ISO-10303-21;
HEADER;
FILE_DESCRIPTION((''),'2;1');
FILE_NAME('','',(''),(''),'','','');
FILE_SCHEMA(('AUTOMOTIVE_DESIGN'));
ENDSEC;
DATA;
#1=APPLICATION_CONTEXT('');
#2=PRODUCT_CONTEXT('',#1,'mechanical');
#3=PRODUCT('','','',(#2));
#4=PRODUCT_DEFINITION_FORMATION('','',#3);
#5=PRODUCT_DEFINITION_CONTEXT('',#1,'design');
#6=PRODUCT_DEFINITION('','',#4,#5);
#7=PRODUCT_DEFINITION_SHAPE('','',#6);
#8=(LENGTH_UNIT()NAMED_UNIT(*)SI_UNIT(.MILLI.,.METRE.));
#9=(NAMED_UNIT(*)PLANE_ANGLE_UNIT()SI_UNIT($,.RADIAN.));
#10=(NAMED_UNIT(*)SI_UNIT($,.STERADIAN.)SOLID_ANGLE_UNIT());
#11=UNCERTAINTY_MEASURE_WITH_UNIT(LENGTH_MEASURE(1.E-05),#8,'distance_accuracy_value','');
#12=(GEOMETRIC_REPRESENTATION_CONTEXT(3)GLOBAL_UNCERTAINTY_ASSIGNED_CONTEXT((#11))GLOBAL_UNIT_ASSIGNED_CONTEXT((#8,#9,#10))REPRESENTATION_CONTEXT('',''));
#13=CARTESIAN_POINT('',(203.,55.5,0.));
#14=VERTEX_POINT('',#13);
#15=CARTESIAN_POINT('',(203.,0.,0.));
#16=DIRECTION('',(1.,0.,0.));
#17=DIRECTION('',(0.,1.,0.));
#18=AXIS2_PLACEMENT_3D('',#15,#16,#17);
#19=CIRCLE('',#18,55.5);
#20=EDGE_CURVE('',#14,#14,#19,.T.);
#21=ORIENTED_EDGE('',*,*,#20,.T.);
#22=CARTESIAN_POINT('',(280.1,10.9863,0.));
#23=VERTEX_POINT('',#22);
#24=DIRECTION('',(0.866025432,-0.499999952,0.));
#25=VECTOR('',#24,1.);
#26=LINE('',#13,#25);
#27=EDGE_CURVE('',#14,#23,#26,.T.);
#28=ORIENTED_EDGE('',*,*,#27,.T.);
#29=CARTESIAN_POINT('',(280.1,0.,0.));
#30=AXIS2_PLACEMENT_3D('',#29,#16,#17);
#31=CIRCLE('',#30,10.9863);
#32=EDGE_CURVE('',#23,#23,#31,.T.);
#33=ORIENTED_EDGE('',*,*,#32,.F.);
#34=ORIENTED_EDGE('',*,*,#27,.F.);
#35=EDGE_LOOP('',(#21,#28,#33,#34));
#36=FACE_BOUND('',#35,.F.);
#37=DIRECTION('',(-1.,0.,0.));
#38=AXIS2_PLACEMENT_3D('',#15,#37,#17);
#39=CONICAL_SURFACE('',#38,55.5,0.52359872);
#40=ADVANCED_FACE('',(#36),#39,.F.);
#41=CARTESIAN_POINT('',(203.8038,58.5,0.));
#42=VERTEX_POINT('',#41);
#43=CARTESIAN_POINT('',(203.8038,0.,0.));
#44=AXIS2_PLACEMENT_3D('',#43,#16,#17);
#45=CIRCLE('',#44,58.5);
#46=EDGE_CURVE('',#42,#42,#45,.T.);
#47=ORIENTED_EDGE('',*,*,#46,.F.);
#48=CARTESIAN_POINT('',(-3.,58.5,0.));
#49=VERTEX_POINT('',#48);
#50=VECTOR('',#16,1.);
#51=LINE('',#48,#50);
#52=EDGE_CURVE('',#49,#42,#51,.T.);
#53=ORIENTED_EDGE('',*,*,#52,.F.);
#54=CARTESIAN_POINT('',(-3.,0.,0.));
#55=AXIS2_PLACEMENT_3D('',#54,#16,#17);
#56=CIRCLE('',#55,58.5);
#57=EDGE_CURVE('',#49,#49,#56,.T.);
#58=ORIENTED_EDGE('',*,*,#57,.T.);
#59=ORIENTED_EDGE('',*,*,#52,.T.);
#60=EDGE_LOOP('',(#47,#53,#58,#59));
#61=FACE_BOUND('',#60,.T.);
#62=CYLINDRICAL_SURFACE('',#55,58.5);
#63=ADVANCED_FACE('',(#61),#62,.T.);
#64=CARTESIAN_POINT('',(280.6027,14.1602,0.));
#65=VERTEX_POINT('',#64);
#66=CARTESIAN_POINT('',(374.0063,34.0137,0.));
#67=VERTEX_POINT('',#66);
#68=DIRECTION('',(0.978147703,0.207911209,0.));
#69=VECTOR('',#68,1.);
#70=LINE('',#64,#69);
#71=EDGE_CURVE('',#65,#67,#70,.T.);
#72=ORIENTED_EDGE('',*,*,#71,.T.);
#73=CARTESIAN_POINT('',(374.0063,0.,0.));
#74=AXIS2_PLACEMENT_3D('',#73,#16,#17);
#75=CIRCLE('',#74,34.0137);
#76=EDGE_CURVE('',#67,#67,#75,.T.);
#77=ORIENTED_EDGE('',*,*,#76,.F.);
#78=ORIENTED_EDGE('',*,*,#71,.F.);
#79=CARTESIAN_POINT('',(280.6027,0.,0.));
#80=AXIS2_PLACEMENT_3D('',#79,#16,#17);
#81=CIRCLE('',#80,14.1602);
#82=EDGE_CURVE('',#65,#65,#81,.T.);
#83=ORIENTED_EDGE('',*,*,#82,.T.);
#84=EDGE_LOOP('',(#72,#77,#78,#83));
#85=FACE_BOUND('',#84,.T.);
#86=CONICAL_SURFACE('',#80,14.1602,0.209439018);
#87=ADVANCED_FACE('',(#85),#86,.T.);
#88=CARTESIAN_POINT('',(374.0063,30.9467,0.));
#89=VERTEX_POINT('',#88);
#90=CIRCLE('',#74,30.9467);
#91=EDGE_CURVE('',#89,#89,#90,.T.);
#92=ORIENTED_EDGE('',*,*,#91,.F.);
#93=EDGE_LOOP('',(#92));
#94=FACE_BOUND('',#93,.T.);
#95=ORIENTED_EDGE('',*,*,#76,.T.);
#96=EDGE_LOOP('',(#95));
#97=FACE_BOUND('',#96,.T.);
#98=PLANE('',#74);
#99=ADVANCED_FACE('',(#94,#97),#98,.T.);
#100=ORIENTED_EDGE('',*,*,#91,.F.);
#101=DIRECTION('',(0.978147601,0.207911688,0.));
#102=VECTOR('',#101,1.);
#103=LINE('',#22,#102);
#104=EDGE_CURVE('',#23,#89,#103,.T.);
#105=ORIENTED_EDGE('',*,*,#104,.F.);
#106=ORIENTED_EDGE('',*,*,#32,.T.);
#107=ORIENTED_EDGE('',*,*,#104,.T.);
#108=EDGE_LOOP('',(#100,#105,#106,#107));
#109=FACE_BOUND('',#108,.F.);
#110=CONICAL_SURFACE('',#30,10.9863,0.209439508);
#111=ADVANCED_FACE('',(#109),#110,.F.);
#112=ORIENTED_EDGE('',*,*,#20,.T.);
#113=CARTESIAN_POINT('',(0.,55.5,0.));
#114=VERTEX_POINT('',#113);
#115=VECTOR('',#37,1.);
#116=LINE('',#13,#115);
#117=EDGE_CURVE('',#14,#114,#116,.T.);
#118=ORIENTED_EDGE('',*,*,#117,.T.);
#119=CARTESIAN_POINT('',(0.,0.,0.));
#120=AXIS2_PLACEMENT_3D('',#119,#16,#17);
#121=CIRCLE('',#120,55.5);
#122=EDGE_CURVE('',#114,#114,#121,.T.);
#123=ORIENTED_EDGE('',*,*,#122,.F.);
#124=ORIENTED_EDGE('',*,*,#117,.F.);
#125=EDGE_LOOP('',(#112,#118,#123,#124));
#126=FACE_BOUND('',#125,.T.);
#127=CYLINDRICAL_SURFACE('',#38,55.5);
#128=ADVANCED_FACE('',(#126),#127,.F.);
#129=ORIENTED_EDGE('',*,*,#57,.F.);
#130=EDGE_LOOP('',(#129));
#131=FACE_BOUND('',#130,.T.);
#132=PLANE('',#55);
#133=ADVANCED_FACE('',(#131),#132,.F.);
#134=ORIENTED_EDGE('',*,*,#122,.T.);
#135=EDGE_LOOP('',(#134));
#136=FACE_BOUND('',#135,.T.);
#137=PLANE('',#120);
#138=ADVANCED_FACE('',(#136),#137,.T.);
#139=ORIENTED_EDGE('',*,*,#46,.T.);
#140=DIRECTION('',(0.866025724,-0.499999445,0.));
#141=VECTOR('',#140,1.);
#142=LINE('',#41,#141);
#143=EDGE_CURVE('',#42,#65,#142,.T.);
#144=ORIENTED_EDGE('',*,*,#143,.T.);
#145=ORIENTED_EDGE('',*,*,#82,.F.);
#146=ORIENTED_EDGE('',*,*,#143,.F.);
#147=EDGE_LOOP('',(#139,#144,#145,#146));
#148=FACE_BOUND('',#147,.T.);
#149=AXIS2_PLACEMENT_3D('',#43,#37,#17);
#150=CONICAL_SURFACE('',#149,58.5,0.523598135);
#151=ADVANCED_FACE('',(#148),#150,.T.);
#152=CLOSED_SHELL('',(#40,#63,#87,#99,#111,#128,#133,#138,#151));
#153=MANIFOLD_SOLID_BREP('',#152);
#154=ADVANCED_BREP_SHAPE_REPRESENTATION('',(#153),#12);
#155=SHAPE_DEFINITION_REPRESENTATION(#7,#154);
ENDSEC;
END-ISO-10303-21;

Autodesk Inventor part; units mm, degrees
ref_plane "YZ Plane" through (0, 0, 0) normal (1, 0, 0) x (0, 1, 0)
ref_plane "XZ Plane" through (0, 0, 0) normal (0, 1, 0) x (-1, 0, 0)
ref_plane "XY Plane" through (0, 0, 0) normal (0, 0, 1) x (1, 0, 0)
sketch "Sketch1" plane through (0, 0, 0) normal (0, 0, 1) x (1, 0, 0)
  line L0 (203, 55.5) -> (0, 55.5)
  line L1 (0, 55.5) -> (0, 0)
  line L2 (203, 55.5) -> (280.1, 10.9863)
  line L3 (280.1, 10.9863) -> (374.0063, 30.9467)
  line L4 (-3, 0) -> (-3, 58.5)
  line L5 (-3, 58.5) -> (203.8038, 58.5)
  line L6 (203.8038, 58.5) -> (280.6027, 14.1602)
  line L7 (280.6027, 14.1602) -> (374.0063, 34.0137)
  line L8 (-3, 0) -> (0, 0)
  line L9 (374.0063, 34.0137) -> (374.0063, 30.9467)
  line L10 (-78.4013, 0) -> (449.4075, 0) projected
  dimension "d11" = 3
revolve "Revolution1" add sketch "Sketch1" angle 360 about axis through (-10, 0, 0) along (1, 0, 0)
properties part number "ESBOÇO 0.1 DO CAD DO MOTOR" material "Steel AISI316"
